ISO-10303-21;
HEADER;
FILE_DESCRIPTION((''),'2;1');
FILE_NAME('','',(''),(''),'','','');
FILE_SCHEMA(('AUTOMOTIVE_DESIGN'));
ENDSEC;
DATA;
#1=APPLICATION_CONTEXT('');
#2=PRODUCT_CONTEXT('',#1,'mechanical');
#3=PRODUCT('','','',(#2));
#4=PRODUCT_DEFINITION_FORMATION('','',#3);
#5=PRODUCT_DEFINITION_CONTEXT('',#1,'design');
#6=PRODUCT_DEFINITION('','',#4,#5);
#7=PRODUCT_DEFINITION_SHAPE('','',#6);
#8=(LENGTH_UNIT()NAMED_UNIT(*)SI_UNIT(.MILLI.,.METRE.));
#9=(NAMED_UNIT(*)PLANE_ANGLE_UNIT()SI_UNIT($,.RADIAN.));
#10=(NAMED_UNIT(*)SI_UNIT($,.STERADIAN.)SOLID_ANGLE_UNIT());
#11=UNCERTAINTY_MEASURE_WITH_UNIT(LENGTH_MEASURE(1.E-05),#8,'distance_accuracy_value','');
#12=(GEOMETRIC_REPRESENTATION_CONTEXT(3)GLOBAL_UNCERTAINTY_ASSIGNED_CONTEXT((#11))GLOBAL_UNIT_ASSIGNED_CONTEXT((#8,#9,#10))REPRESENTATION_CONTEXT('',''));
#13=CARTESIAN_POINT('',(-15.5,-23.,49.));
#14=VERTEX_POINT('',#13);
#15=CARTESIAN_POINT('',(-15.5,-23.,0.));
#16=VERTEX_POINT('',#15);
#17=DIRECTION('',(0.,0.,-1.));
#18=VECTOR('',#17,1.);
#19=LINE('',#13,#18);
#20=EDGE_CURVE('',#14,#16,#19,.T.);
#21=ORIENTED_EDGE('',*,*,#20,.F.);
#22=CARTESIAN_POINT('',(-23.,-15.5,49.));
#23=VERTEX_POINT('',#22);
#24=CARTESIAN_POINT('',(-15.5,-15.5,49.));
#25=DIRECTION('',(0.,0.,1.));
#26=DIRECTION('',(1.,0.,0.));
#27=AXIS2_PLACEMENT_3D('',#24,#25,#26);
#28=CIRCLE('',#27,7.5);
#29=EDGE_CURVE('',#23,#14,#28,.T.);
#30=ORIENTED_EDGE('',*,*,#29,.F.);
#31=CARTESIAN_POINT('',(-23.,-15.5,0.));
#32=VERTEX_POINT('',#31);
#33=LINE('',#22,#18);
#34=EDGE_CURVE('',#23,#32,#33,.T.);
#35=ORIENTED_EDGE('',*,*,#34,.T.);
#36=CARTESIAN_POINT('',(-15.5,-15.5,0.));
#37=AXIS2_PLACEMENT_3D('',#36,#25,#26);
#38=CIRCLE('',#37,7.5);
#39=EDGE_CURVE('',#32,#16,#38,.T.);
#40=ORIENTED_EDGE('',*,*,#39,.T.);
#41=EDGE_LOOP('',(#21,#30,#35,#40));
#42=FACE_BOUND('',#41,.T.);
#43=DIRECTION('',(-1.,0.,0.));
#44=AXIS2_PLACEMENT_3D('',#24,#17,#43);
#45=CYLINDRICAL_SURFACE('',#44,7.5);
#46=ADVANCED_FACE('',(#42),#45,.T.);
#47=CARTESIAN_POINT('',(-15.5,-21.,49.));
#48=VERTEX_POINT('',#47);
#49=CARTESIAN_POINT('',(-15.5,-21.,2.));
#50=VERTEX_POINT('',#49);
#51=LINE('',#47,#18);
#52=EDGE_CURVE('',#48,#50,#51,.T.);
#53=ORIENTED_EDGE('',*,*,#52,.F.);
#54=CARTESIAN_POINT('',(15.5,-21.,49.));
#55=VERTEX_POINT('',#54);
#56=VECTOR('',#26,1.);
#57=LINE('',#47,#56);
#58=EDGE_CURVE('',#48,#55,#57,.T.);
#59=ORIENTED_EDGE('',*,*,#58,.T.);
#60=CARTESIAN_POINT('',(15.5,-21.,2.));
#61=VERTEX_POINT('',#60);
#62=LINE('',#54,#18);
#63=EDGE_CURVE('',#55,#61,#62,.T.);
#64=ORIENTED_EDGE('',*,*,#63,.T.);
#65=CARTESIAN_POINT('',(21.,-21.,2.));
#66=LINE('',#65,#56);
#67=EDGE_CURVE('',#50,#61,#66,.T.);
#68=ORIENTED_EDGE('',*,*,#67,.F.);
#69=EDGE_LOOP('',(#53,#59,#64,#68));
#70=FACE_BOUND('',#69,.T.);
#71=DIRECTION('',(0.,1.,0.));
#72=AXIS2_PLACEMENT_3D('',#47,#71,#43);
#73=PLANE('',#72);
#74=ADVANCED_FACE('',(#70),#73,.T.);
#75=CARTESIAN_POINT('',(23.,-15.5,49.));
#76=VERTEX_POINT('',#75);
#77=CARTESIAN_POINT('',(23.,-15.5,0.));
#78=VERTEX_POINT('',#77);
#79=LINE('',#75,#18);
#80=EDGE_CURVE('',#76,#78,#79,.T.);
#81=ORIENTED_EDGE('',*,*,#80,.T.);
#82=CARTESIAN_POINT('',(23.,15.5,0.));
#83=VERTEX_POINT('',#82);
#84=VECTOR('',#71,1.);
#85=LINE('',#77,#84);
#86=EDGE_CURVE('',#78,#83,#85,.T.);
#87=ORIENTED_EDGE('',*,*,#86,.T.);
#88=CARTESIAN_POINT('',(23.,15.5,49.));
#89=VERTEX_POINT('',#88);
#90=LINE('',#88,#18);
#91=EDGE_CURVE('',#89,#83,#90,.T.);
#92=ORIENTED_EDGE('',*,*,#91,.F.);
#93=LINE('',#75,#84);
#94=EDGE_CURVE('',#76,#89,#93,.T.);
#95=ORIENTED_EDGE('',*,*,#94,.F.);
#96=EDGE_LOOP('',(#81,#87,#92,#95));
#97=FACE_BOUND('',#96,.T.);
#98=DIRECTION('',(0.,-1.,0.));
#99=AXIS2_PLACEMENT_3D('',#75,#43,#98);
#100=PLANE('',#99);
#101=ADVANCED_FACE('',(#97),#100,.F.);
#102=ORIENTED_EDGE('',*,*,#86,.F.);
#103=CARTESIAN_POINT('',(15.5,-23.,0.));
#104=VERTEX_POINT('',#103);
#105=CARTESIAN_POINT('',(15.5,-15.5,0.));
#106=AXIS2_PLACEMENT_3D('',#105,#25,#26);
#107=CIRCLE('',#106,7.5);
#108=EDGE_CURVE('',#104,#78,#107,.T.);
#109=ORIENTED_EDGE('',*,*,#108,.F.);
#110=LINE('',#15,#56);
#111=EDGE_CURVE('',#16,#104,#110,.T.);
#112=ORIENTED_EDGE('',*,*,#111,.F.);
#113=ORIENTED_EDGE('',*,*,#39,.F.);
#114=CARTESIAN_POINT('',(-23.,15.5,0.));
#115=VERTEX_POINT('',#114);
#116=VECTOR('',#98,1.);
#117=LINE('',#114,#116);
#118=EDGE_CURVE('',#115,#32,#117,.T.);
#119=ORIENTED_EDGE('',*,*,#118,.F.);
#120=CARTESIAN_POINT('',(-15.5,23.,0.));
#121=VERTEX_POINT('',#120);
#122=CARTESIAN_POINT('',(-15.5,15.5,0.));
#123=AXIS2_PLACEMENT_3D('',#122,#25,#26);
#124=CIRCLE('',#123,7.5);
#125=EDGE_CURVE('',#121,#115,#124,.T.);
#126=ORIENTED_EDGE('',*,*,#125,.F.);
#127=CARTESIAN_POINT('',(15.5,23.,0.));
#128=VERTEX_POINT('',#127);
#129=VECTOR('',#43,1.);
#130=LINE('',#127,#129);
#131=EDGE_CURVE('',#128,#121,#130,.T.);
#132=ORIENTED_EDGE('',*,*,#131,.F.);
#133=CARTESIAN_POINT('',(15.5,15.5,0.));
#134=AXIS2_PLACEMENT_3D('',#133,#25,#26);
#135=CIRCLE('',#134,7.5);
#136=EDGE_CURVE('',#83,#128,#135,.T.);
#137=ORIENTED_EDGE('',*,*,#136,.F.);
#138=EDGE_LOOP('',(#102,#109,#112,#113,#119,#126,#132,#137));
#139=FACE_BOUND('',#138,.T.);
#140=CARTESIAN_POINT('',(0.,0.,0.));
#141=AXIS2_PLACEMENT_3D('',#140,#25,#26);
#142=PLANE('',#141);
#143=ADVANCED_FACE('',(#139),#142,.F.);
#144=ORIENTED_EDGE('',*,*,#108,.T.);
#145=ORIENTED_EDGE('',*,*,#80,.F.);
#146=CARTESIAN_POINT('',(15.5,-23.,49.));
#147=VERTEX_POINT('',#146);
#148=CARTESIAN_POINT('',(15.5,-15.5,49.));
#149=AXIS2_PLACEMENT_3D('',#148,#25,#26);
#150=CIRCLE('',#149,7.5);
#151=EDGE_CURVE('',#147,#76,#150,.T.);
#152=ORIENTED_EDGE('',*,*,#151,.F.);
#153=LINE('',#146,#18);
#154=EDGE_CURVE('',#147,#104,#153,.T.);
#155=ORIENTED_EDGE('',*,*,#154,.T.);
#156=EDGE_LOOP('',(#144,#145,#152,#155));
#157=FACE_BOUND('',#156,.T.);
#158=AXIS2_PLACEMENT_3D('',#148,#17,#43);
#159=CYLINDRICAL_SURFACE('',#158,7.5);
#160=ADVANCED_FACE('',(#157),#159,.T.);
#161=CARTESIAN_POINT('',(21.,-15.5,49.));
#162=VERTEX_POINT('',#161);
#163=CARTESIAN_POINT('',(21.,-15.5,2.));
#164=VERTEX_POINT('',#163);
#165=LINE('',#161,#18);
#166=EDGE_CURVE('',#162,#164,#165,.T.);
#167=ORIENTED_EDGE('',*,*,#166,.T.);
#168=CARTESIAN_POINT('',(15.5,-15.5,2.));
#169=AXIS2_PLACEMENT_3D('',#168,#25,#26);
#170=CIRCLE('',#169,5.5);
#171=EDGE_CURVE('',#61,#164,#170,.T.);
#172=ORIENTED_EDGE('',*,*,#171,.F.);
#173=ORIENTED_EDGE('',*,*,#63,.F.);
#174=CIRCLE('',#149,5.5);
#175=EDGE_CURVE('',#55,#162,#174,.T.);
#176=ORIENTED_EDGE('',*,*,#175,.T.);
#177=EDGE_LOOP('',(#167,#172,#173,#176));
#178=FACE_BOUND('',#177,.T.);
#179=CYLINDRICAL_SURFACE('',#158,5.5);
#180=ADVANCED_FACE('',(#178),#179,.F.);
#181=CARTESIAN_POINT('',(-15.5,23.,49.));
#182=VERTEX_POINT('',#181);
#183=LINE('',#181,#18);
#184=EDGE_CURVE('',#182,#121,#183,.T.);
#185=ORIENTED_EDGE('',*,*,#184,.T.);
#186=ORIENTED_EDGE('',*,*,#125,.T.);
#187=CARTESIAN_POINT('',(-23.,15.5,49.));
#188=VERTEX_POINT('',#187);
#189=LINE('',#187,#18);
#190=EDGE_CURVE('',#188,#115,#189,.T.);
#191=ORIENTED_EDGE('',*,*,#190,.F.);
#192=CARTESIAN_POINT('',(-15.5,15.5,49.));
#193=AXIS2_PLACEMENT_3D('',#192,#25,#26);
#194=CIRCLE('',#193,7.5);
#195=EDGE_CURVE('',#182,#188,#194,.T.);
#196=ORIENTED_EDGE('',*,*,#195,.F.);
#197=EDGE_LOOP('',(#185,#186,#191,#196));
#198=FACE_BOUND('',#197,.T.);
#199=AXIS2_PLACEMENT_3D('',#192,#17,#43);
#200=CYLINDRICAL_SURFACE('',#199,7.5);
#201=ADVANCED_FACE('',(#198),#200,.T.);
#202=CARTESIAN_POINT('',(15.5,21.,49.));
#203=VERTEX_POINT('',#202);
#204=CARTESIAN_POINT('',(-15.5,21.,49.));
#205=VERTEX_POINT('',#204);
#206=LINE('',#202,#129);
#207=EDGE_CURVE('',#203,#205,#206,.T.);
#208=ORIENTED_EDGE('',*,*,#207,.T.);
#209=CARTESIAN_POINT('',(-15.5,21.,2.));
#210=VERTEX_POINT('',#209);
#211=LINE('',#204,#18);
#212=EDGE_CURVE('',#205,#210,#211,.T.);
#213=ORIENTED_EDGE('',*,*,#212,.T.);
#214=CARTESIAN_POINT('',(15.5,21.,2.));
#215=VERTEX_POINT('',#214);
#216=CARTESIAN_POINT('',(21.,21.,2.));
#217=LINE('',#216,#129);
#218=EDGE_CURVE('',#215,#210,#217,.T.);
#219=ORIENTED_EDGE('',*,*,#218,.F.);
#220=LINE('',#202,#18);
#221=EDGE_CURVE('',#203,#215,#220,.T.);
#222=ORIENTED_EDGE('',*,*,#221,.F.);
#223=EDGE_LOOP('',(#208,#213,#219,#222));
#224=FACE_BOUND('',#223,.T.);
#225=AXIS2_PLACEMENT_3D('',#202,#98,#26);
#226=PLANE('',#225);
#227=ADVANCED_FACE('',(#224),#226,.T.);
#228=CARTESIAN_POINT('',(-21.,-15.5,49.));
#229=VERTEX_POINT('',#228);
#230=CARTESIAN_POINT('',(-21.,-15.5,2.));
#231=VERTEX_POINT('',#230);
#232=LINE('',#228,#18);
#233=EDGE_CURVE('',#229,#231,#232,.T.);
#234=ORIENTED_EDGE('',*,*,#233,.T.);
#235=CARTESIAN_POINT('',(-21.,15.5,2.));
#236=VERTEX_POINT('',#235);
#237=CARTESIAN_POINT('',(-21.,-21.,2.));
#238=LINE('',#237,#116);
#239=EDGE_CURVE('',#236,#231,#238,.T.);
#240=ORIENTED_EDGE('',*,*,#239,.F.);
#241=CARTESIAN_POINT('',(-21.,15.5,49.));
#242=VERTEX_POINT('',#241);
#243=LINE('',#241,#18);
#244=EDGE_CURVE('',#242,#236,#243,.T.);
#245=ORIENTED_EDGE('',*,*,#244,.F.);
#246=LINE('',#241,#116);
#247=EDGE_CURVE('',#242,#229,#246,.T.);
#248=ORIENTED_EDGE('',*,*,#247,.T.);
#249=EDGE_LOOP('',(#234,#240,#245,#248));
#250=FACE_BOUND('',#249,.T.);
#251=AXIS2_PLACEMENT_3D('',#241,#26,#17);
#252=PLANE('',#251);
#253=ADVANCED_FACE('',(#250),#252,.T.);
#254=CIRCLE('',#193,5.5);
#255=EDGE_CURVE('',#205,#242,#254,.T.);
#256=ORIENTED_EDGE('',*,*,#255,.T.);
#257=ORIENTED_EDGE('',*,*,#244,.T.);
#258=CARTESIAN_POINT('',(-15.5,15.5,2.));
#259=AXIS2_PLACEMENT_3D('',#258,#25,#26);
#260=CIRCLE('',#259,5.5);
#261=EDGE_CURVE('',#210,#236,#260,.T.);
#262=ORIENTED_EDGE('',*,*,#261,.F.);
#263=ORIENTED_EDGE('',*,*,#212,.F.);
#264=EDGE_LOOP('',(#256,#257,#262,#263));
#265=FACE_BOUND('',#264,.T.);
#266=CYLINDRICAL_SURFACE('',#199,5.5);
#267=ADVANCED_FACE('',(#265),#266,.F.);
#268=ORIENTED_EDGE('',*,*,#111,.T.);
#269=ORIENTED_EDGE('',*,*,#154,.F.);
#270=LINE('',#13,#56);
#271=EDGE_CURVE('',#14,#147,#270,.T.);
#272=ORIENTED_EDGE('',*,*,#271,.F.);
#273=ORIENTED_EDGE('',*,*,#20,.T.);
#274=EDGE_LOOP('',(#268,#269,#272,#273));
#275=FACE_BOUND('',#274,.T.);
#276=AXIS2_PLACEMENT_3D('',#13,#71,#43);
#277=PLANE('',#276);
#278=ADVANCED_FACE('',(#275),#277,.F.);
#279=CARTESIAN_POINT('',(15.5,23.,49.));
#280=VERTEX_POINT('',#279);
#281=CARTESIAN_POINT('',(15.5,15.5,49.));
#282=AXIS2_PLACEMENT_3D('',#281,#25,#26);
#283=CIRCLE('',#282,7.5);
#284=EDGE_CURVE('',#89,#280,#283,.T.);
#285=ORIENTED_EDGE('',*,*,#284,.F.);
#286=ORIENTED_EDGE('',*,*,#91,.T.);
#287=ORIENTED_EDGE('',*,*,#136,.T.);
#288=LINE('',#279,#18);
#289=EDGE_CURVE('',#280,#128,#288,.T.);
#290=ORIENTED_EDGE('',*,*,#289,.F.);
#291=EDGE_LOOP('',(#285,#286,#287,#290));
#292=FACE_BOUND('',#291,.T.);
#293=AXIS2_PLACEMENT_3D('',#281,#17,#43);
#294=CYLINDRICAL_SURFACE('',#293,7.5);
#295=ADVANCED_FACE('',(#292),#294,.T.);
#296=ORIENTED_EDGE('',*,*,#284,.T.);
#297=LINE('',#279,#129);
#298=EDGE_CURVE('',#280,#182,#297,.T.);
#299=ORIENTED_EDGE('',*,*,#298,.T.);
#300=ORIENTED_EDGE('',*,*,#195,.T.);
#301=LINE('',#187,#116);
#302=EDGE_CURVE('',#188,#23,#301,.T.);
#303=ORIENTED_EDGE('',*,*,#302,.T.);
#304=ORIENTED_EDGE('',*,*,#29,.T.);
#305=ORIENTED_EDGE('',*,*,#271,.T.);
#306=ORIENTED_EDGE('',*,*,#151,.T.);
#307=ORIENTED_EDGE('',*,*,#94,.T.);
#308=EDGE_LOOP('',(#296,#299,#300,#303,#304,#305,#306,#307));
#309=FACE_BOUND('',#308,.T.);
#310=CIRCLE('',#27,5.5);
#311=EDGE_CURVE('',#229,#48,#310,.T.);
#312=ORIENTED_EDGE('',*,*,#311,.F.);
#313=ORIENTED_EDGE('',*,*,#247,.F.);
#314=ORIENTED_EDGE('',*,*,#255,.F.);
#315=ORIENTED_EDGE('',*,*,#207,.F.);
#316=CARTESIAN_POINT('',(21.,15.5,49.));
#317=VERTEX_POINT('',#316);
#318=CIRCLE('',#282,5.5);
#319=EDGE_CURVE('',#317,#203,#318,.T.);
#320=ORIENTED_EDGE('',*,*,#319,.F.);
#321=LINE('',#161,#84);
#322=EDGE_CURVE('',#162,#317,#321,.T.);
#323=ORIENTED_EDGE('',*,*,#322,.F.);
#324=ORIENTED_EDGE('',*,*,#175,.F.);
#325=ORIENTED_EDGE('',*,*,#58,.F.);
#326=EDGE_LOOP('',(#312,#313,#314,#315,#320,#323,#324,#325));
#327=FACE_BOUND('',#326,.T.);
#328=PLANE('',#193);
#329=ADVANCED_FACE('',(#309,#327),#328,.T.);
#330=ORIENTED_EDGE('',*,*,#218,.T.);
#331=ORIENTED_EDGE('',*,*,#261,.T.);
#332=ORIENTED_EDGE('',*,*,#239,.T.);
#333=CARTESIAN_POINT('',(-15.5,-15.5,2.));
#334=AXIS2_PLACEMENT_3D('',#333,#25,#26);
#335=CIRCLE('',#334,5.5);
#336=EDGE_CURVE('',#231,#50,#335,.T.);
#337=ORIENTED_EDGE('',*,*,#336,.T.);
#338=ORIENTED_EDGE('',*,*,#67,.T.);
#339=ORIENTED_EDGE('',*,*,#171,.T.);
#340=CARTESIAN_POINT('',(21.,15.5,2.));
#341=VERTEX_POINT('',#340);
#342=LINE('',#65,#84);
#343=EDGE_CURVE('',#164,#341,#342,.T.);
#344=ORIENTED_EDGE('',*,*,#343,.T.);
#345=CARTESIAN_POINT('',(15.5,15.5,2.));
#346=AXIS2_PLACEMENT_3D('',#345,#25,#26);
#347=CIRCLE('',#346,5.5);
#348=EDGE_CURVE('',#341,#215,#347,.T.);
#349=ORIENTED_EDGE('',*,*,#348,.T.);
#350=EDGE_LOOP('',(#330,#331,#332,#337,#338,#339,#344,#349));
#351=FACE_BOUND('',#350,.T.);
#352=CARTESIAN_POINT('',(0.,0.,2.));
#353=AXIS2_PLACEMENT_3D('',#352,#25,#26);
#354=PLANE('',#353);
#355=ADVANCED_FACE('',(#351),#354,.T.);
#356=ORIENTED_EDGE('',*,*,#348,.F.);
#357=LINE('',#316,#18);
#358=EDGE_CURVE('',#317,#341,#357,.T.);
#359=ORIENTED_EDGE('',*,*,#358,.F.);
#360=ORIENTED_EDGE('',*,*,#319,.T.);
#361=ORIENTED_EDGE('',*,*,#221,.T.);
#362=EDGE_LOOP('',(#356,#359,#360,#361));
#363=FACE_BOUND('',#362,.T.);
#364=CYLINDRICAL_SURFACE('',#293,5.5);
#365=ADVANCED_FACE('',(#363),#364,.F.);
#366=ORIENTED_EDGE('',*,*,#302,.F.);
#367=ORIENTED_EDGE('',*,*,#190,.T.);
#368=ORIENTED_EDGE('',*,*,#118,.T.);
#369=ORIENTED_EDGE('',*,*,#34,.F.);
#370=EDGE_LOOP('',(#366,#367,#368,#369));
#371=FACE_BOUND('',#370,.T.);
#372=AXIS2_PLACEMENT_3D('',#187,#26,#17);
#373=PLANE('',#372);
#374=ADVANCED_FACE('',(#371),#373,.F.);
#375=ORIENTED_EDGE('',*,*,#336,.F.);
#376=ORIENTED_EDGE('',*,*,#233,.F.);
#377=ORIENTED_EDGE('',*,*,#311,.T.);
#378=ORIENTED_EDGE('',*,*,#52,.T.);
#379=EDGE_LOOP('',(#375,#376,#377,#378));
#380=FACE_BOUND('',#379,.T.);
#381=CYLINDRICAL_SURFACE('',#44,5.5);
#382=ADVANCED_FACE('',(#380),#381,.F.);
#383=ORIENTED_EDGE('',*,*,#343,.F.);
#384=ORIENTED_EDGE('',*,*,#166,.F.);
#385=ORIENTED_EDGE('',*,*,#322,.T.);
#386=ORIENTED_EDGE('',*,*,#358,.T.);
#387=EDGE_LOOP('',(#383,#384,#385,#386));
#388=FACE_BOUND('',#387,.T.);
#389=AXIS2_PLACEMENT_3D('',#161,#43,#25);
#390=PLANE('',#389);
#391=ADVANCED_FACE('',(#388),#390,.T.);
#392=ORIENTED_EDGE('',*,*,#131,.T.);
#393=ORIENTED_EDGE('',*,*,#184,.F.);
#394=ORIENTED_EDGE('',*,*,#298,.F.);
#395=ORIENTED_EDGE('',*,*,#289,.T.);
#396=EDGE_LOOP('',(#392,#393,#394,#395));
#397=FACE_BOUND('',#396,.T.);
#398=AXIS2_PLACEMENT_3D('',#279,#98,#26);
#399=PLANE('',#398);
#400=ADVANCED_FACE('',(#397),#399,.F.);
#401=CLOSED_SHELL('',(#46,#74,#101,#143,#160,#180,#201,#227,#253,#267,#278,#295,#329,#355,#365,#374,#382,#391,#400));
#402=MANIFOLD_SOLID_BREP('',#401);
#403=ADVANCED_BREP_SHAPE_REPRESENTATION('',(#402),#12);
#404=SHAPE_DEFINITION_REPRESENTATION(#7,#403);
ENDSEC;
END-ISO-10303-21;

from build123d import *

# Parameters (mm, degrees)
SKETCH1_W           = 42
SKETCH1_H           = 42
BOSS_EXTRUDE1_DEPTH = 2
FILLET1_R           = 5.5
BOSS_EXTRUDE2_DEPTH = 49


with BuildPart() as part:
    # Sketch1 → Boss-Extrude1 (new body)
    with BuildSketch(Plane.XY):
        Rectangle(SKETCH1_W, SKETCH1_H)
    extrude(amount=BOSS_EXTRUDE1_DEPTH)

    # Fillet1
    fillet1_edges = [part.edges().sort_by_distance(p)[0] for p in [
        (-21, 21, 1),
        (21, 21, 1),
        (21, -21, 1),
        (-21, -21, 1),
    ]]
    fillet(fillet1_edges, radius=FILLET1_R)

    # Sketch2 → Boss-Extrude2 (add)
    with BuildSketch(Plane.XY):
        with BuildLine():
            Line((-23, 15.5), (-23, -15.5))
            ThreePointArc((-23, -15.5), (-20.803300859, -20.803300859), (-15.5, -23))
            Line((-15.5, -23), (15.5, -23))
            ThreePointArc((15.5, -23), (20.803300859, -20.803300859), (23, -15.5))
            Line((23, -15.5), (23, 15.5))
            ThreePointArc((23, 15.5), (20.803300859, 20.803300859), (15.5, 23))
            Line((15.5, 23), (-15.5, 23))
            ThreePointArc((-15.5, 23), (-20.803300859, 20.803300859), (-23, 15.5))
        make_face()
        with BuildLine():
            Line((-21, 15.5), (-21, -15.5))
            ThreePointArc((-21, -15.5), (-19.389087297, -19.389087297), (-15.5, -21))
            Line((-15.5, -21), (15.5, -21))
            ThreePointArc((15.5, -21), (19.389087297, -19.389087297), (21, -15.5))
            Line((21, -15.5), (21, 15.5))
            ThreePointArc((21, 15.5), (19.389087297, 19.389087297), (15.5, 21))
            Line((15.5, 21), (-15.5, 21))
            ThreePointArc((-15.5, 21), (-19.389087297, 19.389087297), (-21, 15.5))
        make_face(mode=Mode.SUBTRACT)
    extrude(amount=BOSS_EXTRUDE2_DEPTH)


solid = part.part
